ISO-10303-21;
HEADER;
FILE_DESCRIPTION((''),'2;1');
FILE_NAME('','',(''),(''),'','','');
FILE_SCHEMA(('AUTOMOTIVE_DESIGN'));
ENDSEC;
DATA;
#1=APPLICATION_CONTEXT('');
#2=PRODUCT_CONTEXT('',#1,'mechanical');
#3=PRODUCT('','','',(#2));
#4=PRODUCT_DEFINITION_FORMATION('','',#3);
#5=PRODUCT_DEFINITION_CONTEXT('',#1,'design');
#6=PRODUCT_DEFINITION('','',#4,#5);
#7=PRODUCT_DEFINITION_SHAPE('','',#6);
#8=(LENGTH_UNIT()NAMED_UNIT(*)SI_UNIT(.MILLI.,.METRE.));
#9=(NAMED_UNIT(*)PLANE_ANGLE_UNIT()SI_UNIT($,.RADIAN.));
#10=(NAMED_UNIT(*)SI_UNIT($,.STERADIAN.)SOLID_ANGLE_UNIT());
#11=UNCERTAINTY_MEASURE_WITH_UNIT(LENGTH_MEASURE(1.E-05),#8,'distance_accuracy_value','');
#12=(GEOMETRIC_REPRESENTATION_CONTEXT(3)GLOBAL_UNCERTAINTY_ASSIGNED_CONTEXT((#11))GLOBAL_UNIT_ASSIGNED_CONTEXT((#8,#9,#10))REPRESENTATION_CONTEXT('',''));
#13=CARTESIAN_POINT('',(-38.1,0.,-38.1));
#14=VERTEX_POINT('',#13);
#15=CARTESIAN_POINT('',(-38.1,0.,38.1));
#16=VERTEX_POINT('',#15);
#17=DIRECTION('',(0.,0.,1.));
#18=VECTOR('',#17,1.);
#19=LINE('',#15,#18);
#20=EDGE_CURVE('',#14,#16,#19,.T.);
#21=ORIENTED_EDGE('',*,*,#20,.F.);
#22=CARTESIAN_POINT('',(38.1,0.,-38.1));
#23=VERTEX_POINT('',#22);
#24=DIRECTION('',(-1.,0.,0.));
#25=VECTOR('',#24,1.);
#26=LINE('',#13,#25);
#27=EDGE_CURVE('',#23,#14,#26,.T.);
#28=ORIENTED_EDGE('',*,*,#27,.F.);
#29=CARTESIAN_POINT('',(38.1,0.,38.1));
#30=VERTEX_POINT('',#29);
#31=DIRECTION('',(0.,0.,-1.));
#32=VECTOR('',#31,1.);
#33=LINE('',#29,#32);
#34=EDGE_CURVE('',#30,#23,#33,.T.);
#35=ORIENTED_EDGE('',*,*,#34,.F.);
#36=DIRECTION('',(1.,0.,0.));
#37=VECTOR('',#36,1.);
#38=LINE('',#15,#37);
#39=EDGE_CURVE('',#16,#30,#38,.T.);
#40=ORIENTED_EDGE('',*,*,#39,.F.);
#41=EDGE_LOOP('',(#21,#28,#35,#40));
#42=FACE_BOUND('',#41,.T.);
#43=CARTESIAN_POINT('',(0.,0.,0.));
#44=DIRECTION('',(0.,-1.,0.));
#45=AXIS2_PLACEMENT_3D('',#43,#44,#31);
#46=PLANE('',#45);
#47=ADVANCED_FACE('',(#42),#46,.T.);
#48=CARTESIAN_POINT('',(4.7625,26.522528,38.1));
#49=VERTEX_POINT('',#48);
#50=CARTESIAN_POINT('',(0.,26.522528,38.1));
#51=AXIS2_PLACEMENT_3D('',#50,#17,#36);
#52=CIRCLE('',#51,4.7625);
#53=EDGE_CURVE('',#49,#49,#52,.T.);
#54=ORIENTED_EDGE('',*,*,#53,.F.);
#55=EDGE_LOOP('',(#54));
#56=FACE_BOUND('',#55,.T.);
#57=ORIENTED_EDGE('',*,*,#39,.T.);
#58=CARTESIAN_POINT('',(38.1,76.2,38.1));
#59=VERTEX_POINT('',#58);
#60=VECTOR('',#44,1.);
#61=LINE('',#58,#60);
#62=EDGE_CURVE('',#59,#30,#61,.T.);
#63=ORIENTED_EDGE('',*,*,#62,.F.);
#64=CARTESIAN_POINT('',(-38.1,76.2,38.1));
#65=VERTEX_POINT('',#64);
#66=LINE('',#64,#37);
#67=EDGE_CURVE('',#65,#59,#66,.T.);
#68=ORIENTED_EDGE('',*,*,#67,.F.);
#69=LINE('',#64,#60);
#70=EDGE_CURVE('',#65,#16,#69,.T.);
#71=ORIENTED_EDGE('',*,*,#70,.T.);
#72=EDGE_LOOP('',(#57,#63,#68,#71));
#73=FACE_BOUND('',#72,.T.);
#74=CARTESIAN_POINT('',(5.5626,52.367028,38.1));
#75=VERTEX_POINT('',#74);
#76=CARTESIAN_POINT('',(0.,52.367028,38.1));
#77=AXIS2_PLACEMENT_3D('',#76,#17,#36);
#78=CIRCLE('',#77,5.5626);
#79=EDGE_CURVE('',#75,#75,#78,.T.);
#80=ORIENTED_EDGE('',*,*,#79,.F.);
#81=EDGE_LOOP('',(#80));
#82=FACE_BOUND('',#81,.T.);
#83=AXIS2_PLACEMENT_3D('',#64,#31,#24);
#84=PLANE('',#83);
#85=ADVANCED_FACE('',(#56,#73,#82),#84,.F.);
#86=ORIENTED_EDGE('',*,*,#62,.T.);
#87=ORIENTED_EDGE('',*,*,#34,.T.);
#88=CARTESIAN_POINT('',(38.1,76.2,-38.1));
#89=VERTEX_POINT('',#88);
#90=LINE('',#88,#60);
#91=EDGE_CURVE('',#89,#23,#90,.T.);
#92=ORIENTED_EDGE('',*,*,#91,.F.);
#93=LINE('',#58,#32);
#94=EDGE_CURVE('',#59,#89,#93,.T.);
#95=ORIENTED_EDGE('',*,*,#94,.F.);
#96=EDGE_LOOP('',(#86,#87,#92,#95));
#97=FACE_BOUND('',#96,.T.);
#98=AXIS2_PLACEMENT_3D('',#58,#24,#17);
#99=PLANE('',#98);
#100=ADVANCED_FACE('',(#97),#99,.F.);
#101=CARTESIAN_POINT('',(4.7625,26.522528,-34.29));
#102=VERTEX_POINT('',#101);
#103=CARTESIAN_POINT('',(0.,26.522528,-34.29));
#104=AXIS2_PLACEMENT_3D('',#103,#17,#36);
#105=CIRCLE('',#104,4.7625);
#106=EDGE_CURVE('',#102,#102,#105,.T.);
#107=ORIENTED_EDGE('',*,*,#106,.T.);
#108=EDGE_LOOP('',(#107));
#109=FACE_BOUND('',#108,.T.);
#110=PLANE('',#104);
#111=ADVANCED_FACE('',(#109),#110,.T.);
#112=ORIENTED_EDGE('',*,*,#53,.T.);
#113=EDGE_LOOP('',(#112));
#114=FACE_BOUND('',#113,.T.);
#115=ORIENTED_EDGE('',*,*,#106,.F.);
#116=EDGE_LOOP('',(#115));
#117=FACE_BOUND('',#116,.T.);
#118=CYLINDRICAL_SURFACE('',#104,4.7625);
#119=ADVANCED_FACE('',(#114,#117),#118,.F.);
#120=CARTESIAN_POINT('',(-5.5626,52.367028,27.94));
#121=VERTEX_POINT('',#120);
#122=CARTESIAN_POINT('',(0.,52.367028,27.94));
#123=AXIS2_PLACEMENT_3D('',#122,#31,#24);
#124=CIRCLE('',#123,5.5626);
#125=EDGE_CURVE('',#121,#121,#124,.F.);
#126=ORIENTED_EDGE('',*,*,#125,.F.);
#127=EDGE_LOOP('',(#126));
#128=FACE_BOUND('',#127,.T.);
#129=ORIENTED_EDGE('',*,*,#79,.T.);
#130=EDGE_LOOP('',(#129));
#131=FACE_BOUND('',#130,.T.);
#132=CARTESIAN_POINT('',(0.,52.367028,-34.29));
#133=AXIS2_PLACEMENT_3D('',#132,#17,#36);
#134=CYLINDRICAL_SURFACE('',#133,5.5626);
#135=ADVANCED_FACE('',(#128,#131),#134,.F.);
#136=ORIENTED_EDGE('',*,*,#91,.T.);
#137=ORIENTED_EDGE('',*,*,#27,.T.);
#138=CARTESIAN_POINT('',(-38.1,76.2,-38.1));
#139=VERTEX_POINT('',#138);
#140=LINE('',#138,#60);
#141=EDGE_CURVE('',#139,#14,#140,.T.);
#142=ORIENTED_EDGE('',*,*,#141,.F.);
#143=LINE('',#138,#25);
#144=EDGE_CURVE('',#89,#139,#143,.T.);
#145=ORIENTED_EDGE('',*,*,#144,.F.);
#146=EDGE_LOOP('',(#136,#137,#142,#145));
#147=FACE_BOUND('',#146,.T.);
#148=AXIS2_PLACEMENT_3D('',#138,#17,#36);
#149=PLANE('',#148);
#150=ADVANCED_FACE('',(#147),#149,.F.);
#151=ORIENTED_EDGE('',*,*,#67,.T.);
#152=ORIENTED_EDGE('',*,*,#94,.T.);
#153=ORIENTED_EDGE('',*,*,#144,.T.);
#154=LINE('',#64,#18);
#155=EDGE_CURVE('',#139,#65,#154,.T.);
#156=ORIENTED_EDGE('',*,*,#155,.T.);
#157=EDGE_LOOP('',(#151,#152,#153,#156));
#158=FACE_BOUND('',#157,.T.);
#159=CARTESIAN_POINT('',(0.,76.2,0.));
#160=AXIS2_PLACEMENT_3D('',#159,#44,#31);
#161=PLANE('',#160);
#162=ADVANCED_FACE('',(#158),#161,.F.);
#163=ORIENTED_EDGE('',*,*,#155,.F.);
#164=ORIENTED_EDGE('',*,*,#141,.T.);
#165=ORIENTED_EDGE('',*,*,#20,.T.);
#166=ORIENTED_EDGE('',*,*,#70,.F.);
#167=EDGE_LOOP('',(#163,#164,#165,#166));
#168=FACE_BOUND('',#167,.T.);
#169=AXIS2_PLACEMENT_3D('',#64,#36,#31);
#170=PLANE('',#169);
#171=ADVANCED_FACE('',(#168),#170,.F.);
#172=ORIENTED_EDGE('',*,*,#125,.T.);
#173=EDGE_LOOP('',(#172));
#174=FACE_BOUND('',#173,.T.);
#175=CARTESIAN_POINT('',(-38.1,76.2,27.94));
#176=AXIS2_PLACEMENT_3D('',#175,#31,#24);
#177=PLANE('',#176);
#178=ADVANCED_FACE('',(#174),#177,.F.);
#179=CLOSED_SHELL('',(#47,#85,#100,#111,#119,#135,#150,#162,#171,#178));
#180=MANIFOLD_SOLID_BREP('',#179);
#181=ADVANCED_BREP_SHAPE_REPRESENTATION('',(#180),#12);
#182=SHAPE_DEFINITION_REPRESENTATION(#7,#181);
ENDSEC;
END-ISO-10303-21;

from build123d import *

# Parameters (mm, degrees)
SKETCH2_W           = 76.2
SKETCH2_H           = 76.2
BOSS_EXTRUDE1_DEPTH = 76.2
SKETCH3_R           = 4.7625
SKETCH3_R_2         = 5.5626
CUT_EXTRUDE1_DEPTH  = 72.39
SKETCH5_R           = 5.5626
BOSS_EXTRUDE2_DEPTH = 62.23


with BuildPart() as part:
    # Sketch2 → Boss-Extrude1 (new body)
    with BuildSketch(Plane(origin=(0, 0, 0), x_dir=(1, 0, 0), z_dir=(0, 1, 0))):
        Rectangle(SKETCH2_W, SKETCH2_H)
    extrude(amount=BOSS_EXTRUDE1_DEPTH)

    # Sketch3 → Cut-Extrude1 (cut)
    with BuildSketch(Plane.XY.offset(38.1)):
        with Locations((0, 26.522528218)):
            Circle(SKETCH3_R)
        with Locations((0, 52.367028218)):
            Circle(SKETCH3_R_2)
    extrude(amount=-CUT_EXTRUDE1_DEPTH, mode=Mode.SUBTRACT)

    # Sketch5 → Boss-Extrude2 (add)
    with BuildSketch(Plane.XY.offset(-34.29)):
        with Locations((0, 52.367028218)):
            Circle(SKETCH5_R)
    extrude(amount=BOSS_EXTRUDE2_DEPTH)


solid = part.part
